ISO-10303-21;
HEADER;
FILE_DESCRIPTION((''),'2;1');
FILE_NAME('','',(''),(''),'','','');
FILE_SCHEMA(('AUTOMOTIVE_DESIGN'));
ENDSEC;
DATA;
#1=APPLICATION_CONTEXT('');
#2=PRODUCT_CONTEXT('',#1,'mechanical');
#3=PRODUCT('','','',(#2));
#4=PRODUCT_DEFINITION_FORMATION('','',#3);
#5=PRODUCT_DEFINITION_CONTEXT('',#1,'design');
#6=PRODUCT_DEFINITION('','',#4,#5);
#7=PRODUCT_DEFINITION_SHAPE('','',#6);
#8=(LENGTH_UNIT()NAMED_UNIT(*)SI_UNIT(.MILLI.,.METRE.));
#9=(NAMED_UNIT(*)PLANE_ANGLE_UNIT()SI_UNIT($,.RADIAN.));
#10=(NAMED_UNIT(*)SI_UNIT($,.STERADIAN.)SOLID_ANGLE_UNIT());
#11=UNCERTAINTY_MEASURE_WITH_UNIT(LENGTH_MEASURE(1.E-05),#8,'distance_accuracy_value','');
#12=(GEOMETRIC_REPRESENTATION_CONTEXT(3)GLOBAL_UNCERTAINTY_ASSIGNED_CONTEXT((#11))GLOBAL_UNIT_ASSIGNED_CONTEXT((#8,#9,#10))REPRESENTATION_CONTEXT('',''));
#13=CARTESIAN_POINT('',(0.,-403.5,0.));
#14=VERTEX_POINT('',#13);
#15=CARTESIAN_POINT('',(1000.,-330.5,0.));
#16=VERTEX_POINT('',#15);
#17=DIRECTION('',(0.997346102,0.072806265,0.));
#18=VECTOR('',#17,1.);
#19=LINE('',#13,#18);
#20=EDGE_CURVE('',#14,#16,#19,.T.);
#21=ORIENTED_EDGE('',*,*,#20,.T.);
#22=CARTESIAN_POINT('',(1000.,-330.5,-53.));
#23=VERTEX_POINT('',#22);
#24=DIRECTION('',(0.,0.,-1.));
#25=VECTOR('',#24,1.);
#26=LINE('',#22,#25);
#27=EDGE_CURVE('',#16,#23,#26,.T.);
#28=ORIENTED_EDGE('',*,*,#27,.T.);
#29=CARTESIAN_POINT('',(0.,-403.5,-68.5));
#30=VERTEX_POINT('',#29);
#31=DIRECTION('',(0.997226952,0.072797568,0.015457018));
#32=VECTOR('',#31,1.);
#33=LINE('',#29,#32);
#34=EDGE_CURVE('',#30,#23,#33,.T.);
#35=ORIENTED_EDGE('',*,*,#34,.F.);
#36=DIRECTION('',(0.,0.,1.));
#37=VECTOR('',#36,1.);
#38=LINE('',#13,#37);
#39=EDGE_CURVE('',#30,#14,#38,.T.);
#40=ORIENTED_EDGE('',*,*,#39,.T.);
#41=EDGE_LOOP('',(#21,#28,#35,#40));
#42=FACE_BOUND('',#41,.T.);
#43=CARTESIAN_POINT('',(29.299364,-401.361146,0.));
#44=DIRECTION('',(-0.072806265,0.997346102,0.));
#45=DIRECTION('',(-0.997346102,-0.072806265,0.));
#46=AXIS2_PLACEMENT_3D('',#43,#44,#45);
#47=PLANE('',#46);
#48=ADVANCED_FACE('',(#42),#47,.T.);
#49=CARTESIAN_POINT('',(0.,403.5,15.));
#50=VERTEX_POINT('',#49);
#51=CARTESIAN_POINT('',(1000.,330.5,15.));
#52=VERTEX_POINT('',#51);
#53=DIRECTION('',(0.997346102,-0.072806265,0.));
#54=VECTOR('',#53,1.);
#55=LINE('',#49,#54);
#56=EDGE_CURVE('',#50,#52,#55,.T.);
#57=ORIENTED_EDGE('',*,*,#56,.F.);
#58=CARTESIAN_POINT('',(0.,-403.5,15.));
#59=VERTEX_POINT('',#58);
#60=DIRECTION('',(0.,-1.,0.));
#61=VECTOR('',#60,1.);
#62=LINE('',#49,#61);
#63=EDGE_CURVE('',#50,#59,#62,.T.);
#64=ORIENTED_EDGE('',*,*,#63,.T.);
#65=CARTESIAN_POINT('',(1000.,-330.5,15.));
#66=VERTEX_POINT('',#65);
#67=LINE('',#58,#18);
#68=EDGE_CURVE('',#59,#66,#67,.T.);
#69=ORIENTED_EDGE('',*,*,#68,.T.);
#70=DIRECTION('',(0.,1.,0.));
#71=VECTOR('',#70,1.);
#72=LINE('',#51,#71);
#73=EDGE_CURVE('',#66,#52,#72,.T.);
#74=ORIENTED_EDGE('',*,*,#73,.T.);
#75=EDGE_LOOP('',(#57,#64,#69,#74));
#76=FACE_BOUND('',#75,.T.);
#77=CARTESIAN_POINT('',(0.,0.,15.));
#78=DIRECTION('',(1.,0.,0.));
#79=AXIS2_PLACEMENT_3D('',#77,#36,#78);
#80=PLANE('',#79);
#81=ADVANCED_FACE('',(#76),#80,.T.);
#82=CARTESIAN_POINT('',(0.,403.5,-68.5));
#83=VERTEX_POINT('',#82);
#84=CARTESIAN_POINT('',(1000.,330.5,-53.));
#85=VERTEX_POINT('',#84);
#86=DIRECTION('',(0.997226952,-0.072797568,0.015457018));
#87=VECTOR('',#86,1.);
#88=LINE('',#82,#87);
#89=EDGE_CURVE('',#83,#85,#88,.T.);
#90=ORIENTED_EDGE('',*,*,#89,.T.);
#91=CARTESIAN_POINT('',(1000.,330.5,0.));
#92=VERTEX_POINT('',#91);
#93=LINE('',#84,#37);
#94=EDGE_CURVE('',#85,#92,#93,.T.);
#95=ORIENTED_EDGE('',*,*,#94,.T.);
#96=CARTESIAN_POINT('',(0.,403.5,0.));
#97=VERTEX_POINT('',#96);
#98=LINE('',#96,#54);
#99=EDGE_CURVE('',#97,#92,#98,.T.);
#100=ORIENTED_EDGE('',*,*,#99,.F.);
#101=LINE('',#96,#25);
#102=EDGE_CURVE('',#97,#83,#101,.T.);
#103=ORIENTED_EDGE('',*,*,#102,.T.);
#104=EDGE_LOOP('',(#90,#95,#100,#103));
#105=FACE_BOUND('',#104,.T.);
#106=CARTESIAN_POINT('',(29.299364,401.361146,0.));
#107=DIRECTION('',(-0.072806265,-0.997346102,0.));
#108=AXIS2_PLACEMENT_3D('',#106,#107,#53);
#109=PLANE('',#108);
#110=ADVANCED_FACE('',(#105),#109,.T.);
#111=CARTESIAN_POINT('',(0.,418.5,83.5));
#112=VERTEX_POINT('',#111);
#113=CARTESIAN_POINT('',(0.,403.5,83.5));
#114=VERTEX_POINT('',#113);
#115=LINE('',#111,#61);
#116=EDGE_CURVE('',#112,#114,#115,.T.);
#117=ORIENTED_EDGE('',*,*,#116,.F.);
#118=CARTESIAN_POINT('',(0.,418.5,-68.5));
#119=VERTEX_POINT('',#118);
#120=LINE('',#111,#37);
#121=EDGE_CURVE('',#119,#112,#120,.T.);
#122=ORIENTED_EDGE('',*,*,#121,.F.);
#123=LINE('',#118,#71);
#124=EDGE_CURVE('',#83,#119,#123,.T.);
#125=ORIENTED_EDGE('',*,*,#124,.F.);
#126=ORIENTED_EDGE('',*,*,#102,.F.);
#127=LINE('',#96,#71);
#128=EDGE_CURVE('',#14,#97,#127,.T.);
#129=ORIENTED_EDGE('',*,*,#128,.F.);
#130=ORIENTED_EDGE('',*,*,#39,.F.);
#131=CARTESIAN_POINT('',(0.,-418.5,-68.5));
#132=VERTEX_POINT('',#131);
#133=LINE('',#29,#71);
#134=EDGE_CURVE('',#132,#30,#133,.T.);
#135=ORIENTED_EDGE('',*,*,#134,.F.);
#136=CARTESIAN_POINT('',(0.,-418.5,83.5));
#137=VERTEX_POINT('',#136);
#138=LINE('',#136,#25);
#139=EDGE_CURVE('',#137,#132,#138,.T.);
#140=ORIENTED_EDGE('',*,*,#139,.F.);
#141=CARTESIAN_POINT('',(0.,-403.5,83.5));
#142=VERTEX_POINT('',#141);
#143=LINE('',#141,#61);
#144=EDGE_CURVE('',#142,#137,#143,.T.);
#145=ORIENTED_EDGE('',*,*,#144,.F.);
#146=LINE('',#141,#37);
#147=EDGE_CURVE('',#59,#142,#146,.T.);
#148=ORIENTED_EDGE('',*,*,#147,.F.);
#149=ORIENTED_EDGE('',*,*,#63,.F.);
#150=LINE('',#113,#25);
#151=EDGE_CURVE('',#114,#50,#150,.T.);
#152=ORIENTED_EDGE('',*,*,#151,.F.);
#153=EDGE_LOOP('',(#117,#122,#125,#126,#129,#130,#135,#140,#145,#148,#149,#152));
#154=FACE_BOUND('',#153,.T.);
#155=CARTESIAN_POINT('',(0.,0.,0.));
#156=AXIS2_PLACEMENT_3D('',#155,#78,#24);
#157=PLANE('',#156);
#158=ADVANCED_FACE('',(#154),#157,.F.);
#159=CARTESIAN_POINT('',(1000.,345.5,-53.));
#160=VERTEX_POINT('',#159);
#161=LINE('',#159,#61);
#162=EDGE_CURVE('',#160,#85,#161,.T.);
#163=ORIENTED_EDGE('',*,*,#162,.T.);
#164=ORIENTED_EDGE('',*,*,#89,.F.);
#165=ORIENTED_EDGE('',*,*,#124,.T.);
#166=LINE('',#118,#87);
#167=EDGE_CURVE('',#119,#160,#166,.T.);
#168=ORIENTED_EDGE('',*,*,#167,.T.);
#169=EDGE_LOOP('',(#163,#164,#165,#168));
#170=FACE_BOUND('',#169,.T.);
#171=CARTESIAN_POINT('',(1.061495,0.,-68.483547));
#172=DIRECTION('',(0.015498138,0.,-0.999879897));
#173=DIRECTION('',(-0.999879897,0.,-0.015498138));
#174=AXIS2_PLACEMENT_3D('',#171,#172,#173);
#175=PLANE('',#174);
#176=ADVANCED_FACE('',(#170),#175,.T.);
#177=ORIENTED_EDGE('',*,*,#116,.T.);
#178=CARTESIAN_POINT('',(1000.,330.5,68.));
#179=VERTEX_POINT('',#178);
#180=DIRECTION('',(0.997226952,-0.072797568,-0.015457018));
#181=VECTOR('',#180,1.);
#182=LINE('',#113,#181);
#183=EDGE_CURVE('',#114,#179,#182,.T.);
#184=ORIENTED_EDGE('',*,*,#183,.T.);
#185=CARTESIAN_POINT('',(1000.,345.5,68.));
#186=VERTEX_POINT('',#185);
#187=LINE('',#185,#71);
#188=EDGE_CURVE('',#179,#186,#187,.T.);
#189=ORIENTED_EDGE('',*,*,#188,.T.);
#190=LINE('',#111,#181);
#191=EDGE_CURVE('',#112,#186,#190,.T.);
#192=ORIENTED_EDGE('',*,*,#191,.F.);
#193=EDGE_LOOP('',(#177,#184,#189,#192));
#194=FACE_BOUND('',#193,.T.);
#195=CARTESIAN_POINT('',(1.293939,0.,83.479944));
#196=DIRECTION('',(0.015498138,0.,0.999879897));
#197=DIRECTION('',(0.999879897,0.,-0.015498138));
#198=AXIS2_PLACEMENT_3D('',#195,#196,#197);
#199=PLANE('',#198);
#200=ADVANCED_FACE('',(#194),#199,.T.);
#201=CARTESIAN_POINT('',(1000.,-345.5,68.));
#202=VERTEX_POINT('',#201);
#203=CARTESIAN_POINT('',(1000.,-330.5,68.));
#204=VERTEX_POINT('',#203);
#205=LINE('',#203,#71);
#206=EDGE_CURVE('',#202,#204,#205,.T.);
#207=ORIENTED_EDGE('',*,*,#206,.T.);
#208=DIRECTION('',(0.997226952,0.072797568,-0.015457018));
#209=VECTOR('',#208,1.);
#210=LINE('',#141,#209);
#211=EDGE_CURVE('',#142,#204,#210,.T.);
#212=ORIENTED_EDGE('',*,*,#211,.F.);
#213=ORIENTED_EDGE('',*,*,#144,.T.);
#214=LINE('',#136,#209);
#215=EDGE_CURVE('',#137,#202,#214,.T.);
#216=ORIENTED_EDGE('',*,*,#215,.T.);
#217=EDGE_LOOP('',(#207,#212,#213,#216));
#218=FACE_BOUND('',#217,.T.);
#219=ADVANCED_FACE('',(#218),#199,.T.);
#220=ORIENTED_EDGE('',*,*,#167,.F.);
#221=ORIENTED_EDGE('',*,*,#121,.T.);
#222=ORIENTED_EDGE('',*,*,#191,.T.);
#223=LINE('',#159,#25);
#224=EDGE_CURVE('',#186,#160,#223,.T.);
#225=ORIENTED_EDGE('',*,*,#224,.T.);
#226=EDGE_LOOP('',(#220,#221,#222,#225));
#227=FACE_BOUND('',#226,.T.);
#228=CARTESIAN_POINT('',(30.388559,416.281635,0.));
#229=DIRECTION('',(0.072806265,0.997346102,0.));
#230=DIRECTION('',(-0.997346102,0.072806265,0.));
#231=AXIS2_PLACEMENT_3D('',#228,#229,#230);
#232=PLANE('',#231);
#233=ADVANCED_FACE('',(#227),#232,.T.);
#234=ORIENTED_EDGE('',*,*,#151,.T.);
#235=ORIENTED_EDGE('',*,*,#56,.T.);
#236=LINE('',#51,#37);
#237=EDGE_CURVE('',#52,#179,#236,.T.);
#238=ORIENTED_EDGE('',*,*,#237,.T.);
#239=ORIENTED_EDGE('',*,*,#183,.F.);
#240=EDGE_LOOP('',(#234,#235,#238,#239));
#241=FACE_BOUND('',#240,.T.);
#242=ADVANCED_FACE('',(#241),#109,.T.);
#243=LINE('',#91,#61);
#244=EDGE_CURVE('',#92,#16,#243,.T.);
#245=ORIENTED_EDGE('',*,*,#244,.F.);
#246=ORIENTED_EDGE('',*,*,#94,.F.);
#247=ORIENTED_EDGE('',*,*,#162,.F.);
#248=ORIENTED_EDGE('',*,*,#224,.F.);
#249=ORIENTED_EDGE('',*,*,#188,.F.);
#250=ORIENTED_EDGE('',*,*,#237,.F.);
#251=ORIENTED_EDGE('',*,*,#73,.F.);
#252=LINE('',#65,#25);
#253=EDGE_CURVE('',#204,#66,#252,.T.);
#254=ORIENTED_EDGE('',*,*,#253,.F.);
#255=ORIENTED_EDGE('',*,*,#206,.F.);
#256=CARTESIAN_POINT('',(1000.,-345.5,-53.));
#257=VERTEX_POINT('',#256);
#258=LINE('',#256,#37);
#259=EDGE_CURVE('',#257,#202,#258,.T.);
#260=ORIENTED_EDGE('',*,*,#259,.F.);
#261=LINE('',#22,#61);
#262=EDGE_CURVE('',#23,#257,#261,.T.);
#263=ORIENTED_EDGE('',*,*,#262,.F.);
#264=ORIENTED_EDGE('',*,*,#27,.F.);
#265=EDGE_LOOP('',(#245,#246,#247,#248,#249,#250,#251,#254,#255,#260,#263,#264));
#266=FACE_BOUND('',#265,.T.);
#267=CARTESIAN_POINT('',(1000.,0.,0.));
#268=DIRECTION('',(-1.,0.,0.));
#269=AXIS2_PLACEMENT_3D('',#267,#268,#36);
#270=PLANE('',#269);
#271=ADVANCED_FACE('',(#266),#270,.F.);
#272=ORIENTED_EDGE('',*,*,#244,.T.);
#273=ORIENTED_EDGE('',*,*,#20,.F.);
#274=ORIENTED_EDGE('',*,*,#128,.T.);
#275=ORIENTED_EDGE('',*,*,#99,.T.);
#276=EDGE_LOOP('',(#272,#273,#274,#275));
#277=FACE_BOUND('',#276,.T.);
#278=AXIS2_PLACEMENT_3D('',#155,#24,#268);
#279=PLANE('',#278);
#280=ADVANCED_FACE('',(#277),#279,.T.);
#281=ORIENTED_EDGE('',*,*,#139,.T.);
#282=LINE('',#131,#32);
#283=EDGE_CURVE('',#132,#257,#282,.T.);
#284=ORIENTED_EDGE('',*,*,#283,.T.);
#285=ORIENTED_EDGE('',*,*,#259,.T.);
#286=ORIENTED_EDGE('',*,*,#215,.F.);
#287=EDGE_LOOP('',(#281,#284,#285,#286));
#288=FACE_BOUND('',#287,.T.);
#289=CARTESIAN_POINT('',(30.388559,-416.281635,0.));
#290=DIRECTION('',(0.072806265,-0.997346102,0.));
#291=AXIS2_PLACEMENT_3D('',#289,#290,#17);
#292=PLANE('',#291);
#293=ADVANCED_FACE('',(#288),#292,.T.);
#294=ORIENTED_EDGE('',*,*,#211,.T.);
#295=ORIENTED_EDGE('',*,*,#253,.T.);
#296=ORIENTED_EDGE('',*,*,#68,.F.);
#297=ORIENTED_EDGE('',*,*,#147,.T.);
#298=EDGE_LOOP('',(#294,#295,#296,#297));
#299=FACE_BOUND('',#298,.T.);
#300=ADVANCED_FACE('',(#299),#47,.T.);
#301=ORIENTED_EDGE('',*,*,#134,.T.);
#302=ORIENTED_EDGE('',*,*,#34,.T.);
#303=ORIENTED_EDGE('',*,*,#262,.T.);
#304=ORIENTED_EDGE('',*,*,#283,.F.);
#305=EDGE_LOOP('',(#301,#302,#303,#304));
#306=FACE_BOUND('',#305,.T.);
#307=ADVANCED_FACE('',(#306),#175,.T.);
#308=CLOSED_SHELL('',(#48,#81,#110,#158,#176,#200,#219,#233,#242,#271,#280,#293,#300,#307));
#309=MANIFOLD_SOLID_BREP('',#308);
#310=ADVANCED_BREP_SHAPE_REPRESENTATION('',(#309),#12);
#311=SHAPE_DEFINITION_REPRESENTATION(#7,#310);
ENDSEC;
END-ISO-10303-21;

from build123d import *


with BuildPart() as part:
    # Sketch1 → Loft l2 section 0
    with BuildSketch(Plane(origin=(0, 0, 0), x_dir=(0, 0, -1), z_dir=(1, 0, 0))):
        Polygon((-83.5, 418.5), (68.5, 418.5), (68.5, 403.5), (0, 403.5), (0, -403.5), (68.5, -403.5), (68.5, -418.5), (-83.5, -418.5), (-83.5, -403.5), (-15, -403.5), (-15, 403.5), (-83.5, 403.5), align=None)
    # Sketch4 → Loft l2 section 1
    with BuildSketch(Plane(origin=(1000, 0, -1000), x_dir=(0, 0, 1), z_dir=(-1, 0, 0))):
        Polygon((947, 345.5), (1068, 345.5), (1068, 330.5), (1015, 330.5), (1015, -330.5), (1068, -330.5), (1068, -345.5), (947, -345.5), (947, -330.5), (1000, -330.5), (1000, 330.5), (947, 330.5), align=None)
    loft()


solid = part.part
